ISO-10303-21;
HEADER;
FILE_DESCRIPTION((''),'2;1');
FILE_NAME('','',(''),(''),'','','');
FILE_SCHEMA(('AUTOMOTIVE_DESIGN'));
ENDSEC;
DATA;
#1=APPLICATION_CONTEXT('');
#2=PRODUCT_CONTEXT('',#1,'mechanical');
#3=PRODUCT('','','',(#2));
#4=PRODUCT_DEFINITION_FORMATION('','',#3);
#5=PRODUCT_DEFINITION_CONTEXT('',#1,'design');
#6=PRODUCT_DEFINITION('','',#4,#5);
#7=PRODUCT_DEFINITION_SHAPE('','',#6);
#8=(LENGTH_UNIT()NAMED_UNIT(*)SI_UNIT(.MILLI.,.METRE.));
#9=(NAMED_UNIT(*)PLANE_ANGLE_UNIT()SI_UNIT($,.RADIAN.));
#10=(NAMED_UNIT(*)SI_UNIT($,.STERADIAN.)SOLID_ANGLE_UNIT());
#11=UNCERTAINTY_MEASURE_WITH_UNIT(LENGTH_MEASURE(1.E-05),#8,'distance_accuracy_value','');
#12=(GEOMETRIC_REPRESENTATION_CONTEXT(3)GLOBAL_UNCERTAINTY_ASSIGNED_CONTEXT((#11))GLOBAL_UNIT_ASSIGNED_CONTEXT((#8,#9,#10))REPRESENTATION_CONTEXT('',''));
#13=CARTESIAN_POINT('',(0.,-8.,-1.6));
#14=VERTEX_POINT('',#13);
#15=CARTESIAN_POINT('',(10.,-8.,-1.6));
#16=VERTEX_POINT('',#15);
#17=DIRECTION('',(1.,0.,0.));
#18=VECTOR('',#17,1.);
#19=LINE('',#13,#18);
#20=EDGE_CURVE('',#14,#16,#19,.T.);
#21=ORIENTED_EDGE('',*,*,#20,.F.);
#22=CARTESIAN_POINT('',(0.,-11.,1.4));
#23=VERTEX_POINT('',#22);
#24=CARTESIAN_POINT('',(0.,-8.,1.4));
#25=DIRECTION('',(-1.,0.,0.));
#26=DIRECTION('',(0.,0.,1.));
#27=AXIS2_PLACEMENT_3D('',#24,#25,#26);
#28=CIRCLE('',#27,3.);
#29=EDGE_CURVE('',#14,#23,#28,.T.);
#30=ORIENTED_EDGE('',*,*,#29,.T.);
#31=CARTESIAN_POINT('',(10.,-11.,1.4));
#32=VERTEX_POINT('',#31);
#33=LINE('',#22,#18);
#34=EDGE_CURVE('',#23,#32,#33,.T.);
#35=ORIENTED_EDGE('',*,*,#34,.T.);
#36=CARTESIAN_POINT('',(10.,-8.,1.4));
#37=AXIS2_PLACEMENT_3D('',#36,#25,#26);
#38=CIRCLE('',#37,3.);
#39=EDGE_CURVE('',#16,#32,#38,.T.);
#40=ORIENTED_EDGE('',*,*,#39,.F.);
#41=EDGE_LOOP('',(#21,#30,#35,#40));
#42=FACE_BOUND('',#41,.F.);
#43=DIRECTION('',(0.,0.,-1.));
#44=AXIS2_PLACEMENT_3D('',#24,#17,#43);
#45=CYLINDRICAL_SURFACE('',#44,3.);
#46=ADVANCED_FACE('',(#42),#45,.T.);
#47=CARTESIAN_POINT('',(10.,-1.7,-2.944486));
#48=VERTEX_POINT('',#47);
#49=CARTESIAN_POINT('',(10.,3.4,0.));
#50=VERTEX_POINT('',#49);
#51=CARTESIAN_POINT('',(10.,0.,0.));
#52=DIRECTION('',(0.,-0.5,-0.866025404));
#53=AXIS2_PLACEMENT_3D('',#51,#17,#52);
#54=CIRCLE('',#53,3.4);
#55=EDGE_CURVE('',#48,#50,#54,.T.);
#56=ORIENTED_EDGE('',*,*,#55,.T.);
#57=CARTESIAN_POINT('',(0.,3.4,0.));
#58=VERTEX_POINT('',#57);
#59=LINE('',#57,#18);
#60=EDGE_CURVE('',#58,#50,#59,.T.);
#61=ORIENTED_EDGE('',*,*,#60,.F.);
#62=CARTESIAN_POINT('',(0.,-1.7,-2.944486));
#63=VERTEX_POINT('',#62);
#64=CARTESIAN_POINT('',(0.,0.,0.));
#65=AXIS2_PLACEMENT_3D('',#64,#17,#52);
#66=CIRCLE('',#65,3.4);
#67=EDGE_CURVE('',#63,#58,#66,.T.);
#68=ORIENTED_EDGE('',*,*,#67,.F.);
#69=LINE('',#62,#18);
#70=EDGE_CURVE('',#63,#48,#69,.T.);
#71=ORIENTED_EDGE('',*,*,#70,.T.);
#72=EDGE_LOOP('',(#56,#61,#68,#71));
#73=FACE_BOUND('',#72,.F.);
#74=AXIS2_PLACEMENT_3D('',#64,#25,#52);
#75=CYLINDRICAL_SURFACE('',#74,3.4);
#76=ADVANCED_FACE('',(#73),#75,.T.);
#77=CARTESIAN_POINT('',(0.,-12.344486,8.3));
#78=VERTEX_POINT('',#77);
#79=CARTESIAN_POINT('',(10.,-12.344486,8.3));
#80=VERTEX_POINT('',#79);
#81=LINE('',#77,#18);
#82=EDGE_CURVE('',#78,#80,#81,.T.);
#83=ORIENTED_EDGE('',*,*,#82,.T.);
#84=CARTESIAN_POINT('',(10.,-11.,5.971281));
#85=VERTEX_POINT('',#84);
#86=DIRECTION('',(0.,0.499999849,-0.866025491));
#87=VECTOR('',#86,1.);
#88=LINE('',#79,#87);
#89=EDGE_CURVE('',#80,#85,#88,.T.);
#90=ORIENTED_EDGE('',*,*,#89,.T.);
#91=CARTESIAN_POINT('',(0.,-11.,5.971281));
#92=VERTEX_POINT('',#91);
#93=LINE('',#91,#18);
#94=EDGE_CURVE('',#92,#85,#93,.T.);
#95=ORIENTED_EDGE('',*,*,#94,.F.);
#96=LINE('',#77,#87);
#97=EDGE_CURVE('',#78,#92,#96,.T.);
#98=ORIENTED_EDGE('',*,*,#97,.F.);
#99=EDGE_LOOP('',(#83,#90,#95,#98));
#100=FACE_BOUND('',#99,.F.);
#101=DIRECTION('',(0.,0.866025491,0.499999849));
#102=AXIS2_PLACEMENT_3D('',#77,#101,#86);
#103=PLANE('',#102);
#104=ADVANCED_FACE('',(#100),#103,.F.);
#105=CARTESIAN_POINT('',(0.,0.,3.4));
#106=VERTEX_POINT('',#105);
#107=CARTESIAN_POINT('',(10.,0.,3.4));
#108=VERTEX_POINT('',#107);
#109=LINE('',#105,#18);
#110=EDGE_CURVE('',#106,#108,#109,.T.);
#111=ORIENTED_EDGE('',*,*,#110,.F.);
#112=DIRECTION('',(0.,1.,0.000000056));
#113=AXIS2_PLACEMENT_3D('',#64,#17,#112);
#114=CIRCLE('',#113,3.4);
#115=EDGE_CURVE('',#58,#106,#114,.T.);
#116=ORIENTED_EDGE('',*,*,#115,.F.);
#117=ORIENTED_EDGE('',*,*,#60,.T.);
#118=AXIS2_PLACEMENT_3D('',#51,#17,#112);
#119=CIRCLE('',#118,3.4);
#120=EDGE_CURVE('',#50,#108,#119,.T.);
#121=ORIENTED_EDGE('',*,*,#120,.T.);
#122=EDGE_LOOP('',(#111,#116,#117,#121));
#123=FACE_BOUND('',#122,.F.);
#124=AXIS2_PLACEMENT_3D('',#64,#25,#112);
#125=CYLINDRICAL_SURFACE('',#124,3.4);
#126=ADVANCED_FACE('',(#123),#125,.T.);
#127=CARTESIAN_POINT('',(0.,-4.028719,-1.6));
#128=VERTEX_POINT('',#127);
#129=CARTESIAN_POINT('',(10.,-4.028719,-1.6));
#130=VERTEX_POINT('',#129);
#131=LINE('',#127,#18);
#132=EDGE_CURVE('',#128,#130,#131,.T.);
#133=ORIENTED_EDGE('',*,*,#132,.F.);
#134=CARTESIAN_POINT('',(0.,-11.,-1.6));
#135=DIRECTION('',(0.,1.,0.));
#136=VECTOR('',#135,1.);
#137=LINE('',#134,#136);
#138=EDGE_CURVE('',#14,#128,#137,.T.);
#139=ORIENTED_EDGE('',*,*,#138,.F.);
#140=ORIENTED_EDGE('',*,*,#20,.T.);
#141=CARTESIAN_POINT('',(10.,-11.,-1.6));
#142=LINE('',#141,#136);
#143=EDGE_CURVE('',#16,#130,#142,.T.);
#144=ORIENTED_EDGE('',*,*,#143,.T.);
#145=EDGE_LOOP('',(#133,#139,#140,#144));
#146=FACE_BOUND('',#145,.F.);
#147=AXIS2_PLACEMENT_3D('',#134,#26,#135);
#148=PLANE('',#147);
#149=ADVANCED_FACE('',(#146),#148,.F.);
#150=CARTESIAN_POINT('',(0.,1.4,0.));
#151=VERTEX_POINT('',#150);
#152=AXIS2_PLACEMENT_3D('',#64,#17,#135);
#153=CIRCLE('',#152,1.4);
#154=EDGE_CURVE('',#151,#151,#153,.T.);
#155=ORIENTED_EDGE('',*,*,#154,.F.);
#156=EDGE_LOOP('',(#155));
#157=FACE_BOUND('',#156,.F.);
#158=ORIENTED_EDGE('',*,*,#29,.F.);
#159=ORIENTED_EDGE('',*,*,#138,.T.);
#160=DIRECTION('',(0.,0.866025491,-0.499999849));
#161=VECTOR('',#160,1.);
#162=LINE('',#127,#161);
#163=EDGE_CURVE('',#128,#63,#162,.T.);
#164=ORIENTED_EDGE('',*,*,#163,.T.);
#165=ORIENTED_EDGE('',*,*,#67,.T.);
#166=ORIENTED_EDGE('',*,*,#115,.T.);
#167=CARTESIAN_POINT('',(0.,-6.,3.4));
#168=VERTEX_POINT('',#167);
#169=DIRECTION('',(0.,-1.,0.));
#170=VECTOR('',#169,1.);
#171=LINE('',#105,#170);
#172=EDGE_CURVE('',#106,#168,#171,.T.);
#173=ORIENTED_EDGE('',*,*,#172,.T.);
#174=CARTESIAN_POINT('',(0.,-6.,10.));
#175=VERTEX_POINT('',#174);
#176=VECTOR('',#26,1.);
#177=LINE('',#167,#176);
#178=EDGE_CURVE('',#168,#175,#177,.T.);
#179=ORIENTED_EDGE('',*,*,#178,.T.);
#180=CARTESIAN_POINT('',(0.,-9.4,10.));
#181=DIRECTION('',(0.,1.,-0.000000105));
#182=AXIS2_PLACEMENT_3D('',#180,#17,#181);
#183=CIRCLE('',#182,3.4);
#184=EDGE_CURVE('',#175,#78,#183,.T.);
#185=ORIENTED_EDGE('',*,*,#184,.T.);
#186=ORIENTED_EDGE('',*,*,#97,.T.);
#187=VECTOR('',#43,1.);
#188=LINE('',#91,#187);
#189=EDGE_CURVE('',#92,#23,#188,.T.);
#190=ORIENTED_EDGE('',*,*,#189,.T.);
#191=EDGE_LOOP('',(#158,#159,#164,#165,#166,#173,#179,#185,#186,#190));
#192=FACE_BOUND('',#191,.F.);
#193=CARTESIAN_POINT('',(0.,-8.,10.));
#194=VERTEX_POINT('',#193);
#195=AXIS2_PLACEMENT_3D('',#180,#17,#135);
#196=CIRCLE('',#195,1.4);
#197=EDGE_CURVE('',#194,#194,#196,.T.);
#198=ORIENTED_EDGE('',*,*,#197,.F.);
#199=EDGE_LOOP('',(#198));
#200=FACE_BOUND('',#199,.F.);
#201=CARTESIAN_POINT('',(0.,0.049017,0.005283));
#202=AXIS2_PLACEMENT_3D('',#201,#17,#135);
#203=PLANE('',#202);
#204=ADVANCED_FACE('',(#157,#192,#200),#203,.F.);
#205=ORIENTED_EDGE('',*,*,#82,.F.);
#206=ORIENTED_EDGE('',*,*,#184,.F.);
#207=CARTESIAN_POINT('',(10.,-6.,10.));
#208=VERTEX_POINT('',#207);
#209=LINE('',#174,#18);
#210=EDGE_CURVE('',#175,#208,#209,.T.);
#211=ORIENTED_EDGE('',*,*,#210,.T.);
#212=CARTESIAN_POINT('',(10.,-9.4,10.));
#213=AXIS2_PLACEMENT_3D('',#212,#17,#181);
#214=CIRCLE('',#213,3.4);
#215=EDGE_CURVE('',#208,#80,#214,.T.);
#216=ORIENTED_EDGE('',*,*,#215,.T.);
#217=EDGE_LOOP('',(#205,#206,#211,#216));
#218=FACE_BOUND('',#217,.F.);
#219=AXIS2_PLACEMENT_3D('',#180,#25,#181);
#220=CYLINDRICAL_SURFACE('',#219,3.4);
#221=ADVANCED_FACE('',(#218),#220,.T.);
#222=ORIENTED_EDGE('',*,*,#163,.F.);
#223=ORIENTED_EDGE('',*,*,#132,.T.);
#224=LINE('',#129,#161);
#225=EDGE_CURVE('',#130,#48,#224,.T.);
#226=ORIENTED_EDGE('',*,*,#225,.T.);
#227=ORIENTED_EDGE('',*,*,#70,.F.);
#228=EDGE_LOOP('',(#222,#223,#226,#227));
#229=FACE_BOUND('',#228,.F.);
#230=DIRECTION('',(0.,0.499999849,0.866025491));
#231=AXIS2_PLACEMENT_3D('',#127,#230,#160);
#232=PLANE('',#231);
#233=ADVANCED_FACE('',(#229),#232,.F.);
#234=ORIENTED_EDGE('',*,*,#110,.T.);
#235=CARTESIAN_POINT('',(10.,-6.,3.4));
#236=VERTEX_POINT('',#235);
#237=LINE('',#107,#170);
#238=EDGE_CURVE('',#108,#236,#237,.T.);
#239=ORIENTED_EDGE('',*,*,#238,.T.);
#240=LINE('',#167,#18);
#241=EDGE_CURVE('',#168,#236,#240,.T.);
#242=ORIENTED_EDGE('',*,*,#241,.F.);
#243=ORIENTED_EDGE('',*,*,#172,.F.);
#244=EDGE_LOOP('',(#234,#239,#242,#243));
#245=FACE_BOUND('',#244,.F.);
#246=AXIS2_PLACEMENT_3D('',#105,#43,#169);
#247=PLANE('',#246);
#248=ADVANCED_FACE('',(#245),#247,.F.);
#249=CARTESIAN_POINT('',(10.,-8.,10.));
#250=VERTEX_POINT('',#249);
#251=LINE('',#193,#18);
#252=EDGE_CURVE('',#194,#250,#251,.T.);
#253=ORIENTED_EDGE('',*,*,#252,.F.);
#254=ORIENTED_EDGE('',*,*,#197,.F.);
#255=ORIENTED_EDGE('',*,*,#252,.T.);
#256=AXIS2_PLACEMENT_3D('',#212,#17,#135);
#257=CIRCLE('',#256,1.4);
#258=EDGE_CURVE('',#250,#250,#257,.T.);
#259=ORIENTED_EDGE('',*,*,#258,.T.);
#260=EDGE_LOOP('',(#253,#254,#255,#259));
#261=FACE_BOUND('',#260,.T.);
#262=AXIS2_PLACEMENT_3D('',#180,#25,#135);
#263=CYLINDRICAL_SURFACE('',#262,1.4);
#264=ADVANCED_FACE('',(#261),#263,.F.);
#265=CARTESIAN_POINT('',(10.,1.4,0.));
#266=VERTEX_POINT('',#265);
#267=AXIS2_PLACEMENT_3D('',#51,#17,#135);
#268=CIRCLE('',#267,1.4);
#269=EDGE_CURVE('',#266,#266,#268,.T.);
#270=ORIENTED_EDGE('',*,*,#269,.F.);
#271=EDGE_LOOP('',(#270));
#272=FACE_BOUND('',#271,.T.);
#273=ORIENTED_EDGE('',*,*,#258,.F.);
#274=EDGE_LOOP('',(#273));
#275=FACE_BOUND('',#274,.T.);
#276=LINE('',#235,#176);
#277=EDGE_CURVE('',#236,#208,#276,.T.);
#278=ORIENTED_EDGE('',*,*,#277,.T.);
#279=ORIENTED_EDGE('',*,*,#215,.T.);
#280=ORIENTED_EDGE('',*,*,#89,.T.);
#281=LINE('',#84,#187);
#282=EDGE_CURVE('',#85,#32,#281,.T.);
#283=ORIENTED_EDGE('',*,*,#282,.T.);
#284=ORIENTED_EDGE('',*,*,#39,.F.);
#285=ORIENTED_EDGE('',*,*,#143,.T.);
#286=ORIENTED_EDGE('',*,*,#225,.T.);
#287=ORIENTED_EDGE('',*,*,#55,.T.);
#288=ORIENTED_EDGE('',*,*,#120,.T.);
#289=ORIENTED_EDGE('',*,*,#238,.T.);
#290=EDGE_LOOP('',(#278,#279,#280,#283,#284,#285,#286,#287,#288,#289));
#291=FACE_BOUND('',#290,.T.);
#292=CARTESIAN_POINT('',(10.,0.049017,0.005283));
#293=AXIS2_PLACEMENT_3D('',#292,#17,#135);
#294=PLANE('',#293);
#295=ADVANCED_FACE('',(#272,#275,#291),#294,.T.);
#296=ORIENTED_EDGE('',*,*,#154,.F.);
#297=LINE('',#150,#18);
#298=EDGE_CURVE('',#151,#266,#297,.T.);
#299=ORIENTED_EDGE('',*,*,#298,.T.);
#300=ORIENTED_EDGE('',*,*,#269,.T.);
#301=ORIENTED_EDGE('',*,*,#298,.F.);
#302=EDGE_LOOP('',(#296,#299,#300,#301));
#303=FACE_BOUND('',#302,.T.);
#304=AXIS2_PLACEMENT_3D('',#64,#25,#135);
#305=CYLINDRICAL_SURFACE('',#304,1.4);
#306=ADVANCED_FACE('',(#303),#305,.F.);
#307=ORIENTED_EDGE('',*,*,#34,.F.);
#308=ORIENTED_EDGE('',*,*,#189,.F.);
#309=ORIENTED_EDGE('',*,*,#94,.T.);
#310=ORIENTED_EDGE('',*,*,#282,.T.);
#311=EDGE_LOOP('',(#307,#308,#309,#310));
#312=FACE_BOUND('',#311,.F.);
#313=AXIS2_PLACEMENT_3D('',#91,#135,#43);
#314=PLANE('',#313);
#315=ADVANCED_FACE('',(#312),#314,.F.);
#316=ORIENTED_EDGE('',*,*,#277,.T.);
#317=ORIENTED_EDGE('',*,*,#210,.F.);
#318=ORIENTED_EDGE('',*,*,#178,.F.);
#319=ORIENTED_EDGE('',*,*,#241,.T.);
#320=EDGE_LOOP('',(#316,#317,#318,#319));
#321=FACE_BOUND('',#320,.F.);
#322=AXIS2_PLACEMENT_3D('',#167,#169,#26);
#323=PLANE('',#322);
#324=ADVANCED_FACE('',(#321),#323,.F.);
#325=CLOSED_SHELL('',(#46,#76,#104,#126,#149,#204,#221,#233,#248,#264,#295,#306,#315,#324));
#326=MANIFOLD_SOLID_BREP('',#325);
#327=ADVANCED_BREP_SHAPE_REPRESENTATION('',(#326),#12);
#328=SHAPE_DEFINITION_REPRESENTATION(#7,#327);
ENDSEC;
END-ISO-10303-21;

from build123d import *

# Parameters (mm, degrees)
F0_R     = 1.4
F1_DEPTH = 10
F2_R     = 3


with BuildPart() as f1:
    # F0 (on Right) → F1 (new body)
    with BuildSketch(Plane.YZ):
        with BuildLine():
            ThreePointArc((-1.7, -2.944486), (1.7, -2.944486), (3.4, 0))
            ThreePointArc((3.4, 0), (2.404163, 2.404163), (0, 3.4))
            ThreePointArc((0, 3.4), (-3.284148, 0.879985), (-1.7, -2.944486))
        make_face()
        Circle(F0_R, mode=Mode.SUBTRACT)
        with BuildLine():
            ThreePointArc((-1.7, -2.944486), (-3.284148, 0.879985), (0, 3.4))
            Line((0, 3.4), (-6, 3.4))
            Line((-6, 3.4), (-6, 10))
            ThreePointArc((-6, 10), (-8.520015, 6.715852), (-12.344486, 8.3))
            Line((-12.344486, 8.3), (-11, 5.971281))
            Line((-11, 5.971281), (-11, -1.6))
            Line((-11, -1.6), (-4.028719, -1.6))
            Line((-4.028719, -1.6), (-1.7, -2.944486))
        make_face()
        with BuildLine():
            ThreePointArc((-12.344486, 8.3), (-8.520015, 6.715852), (-6, 10))
            ThreePointArc((-6, 10), (-10.279985, 13.284148), (-12.344486, 8.3))
        make_face()
        with Locations((-9.4, 10)):
            Circle(F0_R, mode=Mode.SUBTRACT)
    extrude(amount=F1_DEPTH)

    # F2
    f2_edges = [f1.edges().sort_by_distance(p)[0] for p in [
        (5, -11, -1.6),
    ]]
    fillet(f2_edges, radius=F2_R)


solid = f1.part
